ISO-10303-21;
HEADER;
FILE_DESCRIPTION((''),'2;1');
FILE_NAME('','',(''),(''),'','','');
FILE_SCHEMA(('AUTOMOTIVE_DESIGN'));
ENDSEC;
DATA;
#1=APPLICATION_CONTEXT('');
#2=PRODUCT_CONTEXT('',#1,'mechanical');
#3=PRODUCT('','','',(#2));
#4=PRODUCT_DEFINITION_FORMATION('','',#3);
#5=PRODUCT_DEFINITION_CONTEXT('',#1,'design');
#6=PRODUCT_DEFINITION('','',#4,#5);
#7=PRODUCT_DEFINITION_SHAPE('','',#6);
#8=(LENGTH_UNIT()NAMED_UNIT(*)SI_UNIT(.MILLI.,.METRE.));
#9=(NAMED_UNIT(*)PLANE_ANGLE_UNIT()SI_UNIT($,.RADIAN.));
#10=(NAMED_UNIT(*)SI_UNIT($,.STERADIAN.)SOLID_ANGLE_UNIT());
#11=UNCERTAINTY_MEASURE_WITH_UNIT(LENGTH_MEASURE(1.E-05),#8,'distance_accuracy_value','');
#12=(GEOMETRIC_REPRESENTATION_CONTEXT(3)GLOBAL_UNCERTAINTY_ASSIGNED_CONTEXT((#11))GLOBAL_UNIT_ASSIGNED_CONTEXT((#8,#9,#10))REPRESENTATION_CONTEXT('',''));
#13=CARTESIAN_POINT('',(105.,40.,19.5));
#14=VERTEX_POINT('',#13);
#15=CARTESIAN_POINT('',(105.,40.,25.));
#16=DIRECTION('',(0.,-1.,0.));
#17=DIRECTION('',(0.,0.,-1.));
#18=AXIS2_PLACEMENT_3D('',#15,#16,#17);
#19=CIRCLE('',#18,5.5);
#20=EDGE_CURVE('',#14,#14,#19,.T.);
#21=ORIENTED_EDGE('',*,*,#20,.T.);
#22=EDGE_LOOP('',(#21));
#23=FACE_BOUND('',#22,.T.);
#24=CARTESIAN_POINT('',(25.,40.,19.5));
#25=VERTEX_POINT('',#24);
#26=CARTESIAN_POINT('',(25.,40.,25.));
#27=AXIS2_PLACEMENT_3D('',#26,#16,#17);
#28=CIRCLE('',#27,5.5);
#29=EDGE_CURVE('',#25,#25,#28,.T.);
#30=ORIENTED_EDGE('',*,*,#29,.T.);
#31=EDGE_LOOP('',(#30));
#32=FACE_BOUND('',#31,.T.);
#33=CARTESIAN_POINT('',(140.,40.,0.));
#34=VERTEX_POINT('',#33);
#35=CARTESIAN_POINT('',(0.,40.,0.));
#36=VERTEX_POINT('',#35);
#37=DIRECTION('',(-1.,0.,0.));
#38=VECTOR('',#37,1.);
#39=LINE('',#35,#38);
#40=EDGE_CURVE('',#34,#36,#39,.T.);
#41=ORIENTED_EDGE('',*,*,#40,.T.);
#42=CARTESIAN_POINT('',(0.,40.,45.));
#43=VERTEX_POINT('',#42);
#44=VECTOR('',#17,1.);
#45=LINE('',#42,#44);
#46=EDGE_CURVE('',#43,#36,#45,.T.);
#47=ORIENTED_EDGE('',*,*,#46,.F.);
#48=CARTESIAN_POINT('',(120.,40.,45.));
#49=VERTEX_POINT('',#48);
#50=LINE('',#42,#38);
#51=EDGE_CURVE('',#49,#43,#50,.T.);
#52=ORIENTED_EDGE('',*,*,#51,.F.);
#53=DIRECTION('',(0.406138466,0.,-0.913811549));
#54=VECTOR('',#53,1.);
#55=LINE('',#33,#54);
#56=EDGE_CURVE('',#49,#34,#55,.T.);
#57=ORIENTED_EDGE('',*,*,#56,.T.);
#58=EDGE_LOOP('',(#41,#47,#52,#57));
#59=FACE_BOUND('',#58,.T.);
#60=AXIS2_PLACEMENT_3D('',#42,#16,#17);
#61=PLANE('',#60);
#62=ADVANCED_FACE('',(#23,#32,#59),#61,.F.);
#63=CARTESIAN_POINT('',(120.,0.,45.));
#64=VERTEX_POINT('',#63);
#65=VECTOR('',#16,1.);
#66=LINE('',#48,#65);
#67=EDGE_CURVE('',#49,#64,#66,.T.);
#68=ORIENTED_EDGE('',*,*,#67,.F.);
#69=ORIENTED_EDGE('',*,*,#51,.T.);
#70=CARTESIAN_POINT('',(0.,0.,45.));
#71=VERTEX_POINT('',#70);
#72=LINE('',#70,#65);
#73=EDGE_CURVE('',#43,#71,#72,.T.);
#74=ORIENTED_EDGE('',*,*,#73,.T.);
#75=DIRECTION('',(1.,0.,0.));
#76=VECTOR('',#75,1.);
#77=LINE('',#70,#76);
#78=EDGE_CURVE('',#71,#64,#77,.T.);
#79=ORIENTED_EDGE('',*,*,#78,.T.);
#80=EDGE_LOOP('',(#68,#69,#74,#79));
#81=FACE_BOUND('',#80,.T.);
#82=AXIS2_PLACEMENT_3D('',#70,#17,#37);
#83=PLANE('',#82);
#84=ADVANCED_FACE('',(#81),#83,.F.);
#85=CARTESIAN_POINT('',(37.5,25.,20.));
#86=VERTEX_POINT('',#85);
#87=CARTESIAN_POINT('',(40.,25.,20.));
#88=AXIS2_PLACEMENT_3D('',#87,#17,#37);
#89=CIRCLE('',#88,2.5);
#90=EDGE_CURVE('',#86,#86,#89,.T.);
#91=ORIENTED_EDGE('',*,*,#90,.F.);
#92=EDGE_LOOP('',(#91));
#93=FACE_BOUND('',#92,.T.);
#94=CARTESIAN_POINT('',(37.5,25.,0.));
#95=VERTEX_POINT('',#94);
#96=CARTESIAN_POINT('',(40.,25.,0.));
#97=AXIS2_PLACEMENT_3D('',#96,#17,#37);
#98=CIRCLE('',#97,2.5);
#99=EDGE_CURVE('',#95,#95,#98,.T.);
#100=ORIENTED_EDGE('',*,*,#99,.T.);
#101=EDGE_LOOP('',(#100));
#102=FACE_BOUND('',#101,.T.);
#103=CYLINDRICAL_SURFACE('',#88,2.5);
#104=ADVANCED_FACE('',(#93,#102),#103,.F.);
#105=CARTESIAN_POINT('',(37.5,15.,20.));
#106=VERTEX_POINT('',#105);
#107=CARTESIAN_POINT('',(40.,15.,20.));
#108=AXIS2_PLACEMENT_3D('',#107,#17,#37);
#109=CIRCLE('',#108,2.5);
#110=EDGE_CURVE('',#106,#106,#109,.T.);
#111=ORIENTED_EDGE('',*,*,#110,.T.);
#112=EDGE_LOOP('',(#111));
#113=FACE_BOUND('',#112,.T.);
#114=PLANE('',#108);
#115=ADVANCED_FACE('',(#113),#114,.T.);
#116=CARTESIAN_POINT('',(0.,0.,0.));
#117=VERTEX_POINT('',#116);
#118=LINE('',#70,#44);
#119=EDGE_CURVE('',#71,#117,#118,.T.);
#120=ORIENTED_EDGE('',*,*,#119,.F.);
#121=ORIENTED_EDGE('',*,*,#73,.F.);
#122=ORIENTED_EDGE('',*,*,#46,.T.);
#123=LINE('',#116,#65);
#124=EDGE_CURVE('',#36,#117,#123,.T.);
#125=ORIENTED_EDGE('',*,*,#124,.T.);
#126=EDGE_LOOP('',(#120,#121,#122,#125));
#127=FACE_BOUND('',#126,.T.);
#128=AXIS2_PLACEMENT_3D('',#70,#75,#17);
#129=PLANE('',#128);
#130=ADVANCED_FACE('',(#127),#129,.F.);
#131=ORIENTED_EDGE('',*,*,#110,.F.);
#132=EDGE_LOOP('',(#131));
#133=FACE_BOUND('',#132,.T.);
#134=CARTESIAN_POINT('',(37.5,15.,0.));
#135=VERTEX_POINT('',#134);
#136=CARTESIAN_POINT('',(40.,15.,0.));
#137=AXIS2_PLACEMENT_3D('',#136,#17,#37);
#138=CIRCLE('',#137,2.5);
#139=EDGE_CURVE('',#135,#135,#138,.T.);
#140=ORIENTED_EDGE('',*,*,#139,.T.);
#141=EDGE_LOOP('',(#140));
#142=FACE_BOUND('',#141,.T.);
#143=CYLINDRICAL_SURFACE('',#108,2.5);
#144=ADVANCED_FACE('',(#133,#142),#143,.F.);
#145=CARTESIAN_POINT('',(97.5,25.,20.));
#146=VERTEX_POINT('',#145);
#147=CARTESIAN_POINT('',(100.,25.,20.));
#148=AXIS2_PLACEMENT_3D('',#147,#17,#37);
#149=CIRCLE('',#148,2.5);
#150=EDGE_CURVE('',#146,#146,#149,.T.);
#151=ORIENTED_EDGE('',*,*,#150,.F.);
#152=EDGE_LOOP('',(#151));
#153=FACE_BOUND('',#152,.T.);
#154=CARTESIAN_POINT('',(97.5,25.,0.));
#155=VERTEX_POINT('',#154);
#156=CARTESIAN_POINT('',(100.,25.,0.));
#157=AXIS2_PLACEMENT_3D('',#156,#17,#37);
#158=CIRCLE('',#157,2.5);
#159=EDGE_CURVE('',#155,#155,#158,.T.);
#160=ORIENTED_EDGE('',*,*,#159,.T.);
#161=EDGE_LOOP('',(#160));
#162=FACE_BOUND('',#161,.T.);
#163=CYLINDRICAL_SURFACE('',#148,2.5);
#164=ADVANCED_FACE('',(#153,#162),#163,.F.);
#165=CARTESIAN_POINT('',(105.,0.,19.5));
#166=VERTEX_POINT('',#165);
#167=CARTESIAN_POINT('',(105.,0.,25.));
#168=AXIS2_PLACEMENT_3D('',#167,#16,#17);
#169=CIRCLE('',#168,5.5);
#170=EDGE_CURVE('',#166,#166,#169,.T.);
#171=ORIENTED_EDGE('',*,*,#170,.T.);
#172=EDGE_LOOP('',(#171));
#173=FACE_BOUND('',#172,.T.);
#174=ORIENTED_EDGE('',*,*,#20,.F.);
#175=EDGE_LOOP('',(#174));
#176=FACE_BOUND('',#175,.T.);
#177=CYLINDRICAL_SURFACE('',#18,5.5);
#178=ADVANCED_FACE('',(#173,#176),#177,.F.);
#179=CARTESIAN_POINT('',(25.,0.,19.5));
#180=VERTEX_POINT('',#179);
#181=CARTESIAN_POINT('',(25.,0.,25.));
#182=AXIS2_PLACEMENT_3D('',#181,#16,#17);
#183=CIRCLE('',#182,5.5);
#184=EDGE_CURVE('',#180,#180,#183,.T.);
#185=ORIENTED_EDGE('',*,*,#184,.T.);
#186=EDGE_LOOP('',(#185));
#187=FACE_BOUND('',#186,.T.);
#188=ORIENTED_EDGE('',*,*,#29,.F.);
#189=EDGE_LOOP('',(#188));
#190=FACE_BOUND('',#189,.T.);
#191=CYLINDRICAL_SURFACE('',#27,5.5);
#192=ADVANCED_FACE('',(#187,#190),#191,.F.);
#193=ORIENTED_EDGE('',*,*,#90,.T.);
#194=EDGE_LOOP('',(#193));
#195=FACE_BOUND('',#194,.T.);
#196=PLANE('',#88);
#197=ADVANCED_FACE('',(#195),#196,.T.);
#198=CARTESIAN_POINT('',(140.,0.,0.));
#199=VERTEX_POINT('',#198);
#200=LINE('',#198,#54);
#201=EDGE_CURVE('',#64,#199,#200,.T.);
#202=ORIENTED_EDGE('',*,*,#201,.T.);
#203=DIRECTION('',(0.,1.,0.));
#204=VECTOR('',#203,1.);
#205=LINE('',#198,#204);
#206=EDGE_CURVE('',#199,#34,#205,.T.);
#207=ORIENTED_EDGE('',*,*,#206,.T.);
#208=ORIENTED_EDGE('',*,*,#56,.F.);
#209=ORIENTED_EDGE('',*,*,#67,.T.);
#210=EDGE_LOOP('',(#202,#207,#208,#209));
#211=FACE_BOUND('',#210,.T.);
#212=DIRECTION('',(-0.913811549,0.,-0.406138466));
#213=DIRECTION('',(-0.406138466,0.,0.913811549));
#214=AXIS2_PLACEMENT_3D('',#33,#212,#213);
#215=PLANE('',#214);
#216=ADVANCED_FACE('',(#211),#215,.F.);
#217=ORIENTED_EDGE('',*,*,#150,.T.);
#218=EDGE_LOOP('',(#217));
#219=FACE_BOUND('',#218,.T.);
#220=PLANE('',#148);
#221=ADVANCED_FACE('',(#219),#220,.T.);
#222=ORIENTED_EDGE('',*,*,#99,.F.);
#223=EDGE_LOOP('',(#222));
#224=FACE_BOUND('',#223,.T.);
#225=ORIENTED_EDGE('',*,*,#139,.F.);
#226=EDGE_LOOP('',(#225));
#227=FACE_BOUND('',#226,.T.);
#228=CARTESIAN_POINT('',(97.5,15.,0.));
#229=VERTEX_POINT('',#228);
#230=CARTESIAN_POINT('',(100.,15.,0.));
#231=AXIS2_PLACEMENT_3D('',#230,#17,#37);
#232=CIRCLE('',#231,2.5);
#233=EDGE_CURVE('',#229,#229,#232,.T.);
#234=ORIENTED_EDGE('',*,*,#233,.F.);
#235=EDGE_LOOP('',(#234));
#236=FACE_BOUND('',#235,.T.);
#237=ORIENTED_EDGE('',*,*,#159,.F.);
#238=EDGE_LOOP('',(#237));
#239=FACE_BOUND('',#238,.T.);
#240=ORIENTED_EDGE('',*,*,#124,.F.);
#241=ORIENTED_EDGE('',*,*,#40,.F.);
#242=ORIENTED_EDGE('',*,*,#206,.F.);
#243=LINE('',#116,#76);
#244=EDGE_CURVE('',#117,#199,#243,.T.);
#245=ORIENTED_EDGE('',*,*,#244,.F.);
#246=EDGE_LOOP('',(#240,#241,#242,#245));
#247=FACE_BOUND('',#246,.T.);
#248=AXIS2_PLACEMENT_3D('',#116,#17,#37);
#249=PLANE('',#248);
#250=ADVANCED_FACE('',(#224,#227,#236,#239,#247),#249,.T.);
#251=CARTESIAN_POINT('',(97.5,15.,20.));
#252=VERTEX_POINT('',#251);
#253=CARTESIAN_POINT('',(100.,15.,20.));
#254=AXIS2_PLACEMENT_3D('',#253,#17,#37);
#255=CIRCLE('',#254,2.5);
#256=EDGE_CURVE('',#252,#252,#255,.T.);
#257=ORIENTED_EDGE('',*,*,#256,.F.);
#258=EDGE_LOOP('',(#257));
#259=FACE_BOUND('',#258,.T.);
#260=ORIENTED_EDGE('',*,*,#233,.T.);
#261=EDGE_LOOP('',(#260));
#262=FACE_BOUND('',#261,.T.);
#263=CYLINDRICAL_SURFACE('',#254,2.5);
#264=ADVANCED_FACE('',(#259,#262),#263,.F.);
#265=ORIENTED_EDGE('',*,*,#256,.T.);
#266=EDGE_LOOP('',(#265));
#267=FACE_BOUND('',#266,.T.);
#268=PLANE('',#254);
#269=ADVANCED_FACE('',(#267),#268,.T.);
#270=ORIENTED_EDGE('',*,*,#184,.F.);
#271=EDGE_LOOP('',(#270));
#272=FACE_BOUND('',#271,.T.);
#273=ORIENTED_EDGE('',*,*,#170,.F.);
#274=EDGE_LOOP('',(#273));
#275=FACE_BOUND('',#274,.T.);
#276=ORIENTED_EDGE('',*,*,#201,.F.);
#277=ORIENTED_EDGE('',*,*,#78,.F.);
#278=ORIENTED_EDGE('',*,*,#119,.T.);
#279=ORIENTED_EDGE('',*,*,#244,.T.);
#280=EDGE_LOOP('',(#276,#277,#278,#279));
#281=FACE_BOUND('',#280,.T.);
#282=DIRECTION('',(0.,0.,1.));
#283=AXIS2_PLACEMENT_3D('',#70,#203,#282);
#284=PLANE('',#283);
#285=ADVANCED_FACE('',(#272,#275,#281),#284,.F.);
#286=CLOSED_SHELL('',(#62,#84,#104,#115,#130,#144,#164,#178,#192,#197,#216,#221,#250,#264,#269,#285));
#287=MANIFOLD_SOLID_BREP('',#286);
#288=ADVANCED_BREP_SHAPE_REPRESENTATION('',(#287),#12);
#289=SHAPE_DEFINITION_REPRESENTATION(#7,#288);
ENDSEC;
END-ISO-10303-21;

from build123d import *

# Parameters (mm, degrees)
SKETCH1_W           = 140
SKETCH1_H           = 40
BOSS_EXTRUDE1_DEPTH = 45
SKETCH2_R           = 5.5
CUT_EXTRUDE1_DEPTH  = 153.397506541
SKETCH3_R           = 2.5
CUT_EXTRUDE2_DEPTH  = 20


with BuildPart() as part:
    # Sketch1 → Boss-Extrude1 (new body)
    with BuildSketch(Plane.XY):
        with Locations((70, 20)):
            Rectangle(SKETCH1_W, SKETCH1_H)
    extrude(amount=BOSS_EXTRUDE1_DEPTH)

    # Sketch2 → Cut-Extrude1 (cut, through all)
    with BuildSketch(Plane.XZ):
        with Locations(Location((25, 25, 0), (0, 0, 270))):
            Circle(SKETCH2_R)
        with Locations(Location((105, 25, 0), (0, 0, 270))):
            Circle(SKETCH2_R)
        Polygon((120, 45), (140, 45), (140, 0), align=None)
    extrude(amount=-CUT_EXTRUDE1_DEPTH, mode=Mode.SUBTRACT)

    # Sketch3 → Cut-Extrude2 (cut)
    with BuildSketch(Plane(origin=(0, 0, 0), x_dir=(-1, 0, 0), z_dir=(0, 0, -1))):
        with Locations((-40, 25)):
            Circle(SKETCH3_R)
        with Locations((-100, 25)):
            Circle(SKETCH3_R)
        with Locations((-40, 15)):
            Circle(SKETCH3_R)
        with Locations((-100, 15)):
            Circle(SKETCH3_R)
    extrude(amount=-CUT_EXTRUDE2_DEPTH, mode=Mode.SUBTRACT)


solid = part.part
